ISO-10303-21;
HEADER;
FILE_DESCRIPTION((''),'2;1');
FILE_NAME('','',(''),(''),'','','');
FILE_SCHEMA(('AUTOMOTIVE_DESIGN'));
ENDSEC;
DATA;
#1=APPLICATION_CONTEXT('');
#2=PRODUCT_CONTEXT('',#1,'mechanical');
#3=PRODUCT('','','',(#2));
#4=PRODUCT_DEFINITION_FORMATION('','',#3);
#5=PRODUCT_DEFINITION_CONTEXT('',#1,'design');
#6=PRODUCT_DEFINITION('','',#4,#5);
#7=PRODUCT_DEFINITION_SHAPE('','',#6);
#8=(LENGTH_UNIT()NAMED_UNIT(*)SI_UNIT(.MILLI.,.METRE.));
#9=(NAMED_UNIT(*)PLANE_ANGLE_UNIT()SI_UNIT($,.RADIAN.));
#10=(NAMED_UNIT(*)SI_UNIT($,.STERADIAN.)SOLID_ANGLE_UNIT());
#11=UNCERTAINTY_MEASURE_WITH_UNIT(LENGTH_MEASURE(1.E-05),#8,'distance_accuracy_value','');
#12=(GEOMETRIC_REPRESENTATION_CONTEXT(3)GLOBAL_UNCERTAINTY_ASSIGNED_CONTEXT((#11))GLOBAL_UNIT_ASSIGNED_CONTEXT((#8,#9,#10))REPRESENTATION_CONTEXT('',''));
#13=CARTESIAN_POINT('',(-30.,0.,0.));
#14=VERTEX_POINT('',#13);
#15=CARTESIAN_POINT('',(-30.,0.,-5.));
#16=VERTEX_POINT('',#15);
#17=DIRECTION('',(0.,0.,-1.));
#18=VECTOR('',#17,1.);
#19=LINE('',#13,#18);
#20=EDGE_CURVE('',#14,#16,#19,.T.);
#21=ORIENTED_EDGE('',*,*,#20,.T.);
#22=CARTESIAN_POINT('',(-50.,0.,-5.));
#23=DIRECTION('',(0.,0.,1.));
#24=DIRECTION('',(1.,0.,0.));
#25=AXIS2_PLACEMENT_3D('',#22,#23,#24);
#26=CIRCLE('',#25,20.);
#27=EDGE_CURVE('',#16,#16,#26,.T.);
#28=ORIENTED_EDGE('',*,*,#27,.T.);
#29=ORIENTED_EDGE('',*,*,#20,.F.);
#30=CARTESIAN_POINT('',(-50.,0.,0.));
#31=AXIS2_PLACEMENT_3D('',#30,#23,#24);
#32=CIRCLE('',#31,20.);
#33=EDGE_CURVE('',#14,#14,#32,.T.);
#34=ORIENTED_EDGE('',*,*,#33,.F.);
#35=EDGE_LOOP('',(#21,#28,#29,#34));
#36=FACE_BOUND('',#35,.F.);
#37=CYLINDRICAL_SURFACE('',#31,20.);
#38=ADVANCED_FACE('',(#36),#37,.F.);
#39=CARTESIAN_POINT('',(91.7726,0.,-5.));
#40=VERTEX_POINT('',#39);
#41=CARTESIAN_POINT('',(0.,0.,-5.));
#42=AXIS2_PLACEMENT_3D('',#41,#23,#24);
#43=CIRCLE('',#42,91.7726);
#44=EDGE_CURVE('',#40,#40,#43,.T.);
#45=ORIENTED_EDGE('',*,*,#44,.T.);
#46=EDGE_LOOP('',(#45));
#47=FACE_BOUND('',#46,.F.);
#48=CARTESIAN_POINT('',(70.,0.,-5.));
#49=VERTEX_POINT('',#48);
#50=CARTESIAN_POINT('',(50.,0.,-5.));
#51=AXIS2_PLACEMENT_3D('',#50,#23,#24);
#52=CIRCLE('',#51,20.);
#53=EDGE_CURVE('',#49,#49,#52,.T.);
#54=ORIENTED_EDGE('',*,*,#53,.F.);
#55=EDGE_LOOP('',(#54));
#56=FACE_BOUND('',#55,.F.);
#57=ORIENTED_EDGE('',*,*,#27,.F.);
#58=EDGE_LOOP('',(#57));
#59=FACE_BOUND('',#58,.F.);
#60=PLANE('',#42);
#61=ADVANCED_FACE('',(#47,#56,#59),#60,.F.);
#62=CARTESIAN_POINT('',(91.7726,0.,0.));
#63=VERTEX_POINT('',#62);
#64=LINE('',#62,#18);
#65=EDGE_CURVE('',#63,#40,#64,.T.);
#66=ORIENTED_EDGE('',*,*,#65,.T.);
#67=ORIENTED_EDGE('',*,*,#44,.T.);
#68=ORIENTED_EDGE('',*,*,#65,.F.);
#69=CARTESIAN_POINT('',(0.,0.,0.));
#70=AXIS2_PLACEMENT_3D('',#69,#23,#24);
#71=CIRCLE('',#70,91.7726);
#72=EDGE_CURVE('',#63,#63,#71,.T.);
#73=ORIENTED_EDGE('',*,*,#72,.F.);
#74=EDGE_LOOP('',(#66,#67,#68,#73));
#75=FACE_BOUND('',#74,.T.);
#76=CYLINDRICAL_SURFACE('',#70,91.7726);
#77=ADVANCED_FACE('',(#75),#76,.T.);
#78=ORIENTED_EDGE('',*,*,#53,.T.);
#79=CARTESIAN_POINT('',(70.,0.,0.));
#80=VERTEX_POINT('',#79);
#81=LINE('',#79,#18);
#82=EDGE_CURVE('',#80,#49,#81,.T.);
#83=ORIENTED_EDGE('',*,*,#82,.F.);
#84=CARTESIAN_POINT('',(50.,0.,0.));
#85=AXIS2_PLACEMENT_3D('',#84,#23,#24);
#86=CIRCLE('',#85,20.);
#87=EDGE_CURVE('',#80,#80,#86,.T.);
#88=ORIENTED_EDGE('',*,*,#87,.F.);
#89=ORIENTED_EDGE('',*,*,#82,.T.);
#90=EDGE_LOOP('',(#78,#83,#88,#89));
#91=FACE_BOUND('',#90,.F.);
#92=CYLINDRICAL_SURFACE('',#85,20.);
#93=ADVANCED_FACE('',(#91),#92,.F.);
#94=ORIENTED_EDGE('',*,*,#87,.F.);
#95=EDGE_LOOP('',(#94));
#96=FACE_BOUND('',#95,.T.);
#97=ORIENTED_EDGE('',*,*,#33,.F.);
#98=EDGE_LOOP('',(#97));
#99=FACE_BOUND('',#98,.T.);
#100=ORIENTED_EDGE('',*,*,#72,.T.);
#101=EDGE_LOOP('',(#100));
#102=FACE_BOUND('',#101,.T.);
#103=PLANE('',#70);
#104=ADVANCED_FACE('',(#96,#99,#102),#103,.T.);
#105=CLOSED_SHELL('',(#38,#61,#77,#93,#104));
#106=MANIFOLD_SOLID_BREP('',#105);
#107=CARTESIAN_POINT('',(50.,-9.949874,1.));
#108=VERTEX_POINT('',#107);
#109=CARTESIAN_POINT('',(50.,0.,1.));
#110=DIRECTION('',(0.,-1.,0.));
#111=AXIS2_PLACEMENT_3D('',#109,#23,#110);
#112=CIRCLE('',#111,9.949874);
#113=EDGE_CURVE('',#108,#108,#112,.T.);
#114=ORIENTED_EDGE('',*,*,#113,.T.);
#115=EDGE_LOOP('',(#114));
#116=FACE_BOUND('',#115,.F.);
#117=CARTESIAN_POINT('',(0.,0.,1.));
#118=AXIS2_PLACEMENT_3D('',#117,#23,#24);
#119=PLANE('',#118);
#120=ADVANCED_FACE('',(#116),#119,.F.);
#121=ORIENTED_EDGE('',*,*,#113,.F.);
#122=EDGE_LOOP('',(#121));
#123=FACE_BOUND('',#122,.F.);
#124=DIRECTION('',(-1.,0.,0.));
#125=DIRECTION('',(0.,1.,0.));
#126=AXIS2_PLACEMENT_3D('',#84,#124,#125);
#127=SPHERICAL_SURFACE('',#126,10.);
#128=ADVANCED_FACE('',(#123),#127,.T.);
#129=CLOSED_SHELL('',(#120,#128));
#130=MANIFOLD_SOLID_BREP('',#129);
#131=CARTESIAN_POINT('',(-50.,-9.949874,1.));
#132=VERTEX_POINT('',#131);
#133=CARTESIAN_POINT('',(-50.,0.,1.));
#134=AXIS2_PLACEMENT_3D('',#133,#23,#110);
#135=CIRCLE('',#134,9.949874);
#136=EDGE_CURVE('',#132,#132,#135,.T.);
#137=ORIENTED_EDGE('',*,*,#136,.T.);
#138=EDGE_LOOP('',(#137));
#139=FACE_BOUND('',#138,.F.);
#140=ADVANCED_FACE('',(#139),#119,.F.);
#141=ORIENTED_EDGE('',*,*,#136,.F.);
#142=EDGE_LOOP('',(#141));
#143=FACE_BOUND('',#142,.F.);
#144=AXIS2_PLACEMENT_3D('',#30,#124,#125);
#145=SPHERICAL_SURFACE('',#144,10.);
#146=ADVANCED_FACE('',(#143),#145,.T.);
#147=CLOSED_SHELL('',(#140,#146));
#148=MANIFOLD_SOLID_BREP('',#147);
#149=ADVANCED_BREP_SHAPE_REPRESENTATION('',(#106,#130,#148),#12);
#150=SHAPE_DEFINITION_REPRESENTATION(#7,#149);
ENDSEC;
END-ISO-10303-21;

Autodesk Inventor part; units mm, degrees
ref_plane "YZ Plane" through (0, 0, 0) normal (1, 0, 0) x (0, 1, 0)
ref_plane "XZ Plane" through (0, 0, 0) normal (0, 1, 0) x (-1, 0, 0)
ref_plane "XY Plane" through (0, 0, 0) normal (0, 0, 1) x (1, 0, 0)
sketch "Skizze1" plane through (0, 0, 0) normal (0, 0, 1) x (1, 0, 0)
  circle A0 centre (-50, 0) radius 10
  line L0 (0, 128.4817) -> (0, -128.4817) construction
  circle A1 centre (50, 0) radius 10
  line L1 (-60, 0) -> (-40, 0)
  line L2 (40, 0) -> (60, 0)
  line L3 (-128.4817, 0) -> (128.4817, 0) construction
  circle A2 centre (-50, 0) radius 20
  circle A3 centre (50, 0) radius 20
  circle A4 centre (0, 0) radius 91.7726
  dimension "d0" = 20
  dimension "d1" = 100
  dimension "d3" = 40
revolve "Umdrehung1" add sketch "Skizze1" angle 180 about axis through (0, 0, 0) along (1, 0, 0) picked at (-52.6218, 5.86) picked at (47.3782, 5.86) contours L1 A0 | L2 A1
extrude "Extrusion1" cut sketch "Skizze1" against normal blind 1 contours L1 A0 | A0 L1 | L2 A1 | A1 L2 | A2 | A3
extrude "Extrusion2" cut sketch "Skizze1" along normal blind 1 contours L1 A0 | A0 L1 | L2 A1 | A1 L2 | A2 | A3
extrude "Extrusion3" add sketch "Skizze1" against normal blind 5 contours A4
properties part number "Eyes"
